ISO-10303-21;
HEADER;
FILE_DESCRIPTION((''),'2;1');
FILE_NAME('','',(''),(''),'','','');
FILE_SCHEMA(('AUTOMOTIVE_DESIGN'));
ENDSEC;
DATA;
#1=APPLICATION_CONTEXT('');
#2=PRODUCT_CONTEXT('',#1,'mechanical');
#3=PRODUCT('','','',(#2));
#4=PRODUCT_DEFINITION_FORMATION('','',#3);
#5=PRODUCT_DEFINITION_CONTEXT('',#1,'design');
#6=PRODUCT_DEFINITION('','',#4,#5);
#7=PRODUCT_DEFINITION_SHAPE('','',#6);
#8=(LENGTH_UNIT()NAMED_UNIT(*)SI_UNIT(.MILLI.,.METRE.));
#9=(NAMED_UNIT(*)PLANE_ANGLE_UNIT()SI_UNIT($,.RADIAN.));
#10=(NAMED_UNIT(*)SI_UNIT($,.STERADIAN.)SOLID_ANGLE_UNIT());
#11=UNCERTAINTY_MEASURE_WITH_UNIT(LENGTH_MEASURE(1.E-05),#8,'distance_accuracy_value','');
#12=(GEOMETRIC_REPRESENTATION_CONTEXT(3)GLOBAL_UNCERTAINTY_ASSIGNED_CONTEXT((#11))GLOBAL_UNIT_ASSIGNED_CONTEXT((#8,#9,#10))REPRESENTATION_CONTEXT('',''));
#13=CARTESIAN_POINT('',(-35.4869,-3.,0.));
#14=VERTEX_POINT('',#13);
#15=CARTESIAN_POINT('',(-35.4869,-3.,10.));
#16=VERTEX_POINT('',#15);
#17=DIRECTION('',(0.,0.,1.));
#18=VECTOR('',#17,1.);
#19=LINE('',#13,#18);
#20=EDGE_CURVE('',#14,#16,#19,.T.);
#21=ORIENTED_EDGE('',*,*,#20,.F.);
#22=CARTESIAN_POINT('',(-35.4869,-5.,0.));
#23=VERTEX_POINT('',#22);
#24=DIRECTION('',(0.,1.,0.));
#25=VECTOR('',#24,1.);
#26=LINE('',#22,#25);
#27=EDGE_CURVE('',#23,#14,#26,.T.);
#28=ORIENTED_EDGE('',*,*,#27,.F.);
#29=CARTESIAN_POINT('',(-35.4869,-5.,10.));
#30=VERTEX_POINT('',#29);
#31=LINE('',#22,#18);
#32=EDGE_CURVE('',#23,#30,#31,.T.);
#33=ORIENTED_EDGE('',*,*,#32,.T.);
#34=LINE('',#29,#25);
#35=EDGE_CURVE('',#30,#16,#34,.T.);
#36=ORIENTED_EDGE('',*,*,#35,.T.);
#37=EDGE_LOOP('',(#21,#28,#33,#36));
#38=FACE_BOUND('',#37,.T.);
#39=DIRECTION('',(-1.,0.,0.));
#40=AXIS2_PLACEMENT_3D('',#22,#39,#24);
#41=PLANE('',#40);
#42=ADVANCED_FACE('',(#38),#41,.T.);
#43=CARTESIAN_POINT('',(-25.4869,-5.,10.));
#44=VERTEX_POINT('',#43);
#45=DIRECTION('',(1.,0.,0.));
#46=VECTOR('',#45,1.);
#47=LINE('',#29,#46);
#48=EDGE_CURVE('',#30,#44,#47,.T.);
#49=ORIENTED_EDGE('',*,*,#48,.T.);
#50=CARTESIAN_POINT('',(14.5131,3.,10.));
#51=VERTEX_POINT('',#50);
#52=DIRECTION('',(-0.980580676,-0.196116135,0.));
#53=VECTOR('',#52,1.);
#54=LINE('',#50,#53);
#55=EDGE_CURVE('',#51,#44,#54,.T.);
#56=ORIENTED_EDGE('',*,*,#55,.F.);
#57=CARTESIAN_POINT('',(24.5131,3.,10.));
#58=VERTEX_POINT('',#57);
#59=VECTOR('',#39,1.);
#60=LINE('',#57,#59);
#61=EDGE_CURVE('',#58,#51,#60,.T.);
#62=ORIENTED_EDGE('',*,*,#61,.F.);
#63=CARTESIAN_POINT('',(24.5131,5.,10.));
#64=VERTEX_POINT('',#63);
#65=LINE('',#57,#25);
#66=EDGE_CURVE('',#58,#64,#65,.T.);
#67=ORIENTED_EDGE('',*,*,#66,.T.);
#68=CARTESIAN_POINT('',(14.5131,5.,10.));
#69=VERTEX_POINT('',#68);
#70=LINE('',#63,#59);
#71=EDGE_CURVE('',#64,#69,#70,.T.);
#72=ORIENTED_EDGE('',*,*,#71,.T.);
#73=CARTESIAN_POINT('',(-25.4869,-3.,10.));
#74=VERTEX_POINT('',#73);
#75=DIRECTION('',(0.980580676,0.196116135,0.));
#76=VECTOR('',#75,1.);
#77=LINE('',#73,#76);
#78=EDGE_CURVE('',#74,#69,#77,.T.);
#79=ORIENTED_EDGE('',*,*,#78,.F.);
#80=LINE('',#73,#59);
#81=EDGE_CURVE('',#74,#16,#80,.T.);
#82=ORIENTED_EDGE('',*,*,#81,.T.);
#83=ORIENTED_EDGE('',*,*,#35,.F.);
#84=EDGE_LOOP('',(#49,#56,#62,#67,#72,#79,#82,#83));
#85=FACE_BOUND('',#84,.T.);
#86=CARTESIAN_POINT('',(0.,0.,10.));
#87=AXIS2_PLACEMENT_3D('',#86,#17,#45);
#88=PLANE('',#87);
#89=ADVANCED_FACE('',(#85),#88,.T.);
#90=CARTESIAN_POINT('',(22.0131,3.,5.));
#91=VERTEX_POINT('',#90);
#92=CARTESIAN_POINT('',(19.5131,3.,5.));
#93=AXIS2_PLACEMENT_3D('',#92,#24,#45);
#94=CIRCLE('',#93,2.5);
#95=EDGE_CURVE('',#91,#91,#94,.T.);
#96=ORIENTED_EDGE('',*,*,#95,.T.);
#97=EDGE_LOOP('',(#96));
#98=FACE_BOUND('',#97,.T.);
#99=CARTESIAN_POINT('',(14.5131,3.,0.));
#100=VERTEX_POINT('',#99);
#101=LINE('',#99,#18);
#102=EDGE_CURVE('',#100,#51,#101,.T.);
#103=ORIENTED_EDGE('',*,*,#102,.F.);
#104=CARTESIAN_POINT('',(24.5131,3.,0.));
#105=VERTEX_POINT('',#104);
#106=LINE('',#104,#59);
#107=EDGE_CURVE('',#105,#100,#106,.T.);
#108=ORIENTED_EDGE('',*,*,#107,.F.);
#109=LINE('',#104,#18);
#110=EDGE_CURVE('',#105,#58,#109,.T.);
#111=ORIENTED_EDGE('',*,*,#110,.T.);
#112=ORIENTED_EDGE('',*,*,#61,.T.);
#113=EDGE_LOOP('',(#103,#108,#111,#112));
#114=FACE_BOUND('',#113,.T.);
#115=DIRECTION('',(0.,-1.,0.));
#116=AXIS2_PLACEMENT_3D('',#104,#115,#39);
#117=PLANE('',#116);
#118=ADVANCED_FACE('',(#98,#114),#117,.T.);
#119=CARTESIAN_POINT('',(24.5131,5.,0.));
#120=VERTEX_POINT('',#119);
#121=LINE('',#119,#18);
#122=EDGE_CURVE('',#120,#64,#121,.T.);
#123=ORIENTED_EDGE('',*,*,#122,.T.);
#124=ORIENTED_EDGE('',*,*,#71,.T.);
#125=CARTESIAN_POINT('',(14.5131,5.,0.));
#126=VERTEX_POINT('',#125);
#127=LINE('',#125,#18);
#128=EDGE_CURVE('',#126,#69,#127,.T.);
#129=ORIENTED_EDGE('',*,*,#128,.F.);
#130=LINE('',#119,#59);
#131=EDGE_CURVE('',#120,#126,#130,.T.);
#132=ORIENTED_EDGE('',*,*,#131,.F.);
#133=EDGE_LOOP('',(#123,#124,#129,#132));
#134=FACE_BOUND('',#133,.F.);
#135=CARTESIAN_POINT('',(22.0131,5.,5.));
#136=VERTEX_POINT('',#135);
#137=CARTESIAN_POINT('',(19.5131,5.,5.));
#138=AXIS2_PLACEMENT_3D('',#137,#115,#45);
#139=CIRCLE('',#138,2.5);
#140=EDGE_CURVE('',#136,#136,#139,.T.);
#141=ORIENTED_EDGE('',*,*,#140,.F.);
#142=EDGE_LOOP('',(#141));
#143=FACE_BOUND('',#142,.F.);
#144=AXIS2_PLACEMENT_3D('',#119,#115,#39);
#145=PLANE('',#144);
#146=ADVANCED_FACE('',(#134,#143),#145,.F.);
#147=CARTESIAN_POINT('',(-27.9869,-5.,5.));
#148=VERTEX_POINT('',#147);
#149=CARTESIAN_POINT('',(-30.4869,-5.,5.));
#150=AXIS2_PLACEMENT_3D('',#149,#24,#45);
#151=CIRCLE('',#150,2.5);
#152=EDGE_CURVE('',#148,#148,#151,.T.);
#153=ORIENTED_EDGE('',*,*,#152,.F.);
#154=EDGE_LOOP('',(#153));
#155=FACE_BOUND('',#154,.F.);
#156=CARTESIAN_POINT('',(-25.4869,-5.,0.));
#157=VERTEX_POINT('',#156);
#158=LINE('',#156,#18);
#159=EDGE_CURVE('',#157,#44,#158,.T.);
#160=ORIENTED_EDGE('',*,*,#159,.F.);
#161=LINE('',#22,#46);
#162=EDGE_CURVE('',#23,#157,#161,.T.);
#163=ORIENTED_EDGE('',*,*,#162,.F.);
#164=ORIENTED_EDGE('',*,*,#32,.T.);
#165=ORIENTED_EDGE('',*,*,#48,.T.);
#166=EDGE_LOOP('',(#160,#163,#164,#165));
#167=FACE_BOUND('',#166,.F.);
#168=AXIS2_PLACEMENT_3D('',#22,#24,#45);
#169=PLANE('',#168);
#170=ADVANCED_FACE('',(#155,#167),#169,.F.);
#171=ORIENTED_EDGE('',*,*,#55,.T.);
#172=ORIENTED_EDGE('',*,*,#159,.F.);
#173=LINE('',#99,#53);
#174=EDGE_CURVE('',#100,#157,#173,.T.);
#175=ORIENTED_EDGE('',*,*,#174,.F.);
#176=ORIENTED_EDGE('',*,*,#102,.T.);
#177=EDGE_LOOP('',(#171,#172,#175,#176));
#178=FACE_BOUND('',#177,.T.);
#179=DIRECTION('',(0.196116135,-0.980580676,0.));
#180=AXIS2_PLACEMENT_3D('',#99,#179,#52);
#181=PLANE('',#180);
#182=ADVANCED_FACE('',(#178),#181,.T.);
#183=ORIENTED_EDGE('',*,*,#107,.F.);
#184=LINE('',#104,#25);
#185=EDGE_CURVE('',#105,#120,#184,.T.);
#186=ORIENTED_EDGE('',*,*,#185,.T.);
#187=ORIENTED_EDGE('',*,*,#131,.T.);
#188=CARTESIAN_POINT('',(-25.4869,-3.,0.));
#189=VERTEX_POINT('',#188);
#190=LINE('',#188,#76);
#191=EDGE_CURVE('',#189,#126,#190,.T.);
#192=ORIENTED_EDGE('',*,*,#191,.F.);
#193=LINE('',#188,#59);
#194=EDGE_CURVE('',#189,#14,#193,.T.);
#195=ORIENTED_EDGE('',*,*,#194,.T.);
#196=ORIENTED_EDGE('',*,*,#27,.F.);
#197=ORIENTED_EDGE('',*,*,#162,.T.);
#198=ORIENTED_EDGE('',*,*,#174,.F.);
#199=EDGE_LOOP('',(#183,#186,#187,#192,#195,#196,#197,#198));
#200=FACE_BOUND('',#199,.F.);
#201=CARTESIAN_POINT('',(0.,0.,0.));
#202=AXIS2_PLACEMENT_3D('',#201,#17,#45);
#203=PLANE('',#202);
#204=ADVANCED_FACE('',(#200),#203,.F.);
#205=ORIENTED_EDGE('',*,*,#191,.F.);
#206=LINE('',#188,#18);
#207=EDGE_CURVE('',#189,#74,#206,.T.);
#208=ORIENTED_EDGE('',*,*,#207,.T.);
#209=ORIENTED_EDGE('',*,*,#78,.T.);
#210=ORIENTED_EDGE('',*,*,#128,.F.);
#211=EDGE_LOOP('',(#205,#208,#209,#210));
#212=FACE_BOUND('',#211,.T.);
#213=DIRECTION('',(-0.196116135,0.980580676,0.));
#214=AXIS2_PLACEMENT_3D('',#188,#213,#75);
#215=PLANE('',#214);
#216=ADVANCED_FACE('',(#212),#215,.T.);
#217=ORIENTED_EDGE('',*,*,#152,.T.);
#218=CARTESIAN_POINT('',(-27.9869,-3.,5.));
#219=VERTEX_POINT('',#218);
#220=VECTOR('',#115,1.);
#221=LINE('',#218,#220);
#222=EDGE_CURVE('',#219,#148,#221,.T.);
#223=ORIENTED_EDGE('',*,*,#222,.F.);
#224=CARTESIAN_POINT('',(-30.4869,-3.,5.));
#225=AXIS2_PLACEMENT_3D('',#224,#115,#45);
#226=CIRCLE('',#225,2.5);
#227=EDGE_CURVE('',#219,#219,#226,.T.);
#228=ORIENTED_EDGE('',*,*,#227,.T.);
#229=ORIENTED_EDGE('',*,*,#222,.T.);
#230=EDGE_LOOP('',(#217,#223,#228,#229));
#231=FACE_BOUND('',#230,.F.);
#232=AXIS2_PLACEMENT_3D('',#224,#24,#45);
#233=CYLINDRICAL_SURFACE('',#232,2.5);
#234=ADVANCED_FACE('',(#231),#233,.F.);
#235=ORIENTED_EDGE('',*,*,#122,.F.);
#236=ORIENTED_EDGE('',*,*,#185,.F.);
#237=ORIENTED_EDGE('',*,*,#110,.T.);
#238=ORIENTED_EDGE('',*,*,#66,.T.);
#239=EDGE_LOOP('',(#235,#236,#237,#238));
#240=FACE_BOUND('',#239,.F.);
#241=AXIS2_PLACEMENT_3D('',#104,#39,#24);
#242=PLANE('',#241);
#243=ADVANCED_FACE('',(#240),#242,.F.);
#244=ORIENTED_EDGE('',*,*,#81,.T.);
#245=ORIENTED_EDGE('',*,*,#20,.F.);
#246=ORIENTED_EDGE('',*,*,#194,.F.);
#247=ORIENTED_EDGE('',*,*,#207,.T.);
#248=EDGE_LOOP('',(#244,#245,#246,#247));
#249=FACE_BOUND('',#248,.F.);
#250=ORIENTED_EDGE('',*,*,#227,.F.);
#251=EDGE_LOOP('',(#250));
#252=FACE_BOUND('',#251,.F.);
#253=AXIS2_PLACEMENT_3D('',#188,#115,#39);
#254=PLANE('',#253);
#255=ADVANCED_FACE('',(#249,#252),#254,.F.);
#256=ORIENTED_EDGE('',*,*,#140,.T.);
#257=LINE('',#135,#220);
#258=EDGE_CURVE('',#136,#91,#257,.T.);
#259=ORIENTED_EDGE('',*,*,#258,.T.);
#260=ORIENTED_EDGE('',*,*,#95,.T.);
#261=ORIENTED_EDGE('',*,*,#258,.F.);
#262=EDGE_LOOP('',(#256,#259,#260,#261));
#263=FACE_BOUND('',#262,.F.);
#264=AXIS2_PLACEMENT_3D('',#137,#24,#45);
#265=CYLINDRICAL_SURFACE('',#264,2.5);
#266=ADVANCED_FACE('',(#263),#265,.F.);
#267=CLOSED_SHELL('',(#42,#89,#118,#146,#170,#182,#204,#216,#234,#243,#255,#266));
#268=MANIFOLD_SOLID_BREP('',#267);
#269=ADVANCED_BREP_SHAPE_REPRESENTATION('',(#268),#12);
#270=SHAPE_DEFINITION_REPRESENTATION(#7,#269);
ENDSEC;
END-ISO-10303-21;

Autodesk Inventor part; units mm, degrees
ref_plane "YZ Plane" through (0, 0, 0) normal (1, 0, 0) x (0, 1, 0)
ref_plane "XZ Plane" through (0, 0, 0) normal (0, 1, 0) x (-1, 0, 0)
ref_plane "XY Plane" through (0, 0, 0) normal (0, 0, 1) x (1, 0, 0)
sketch "Szkic1" plane through (0, 0, 0) normal (0, 0, 1) x (1, 0, 0)
  line L0 (-35.4869, -5) -> (-25.4869, -5)
  line L1 (-25.4869, -3) -> (-35.4869, -3)
  line L2 (-35.4869, -5) -> (-35.4869, -3)
  line L3 (24.5131, 5) -> (14.5131, 5)
  line L4 (24.5131, 3) -> (24.5131, 3)
  line L5 (24.5131, 3) -> (24.5131, 5)
  line L6 (24.5131, 3) -> (14.5131, 3)
  line L7 (14.5131, 3) -> (-25.4869, -5)
  line L8 (-25.4869, -3) -> (14.5131, 5)
  point P0 (24.5131, 5)
  dimension "d9" = 10
  dimension "d10" = 2
  dimension "d11" = 10
  dimension "d14" = 60
  dimension "d15" = 10
extrude "Wyciągnięcie proste1" add sketch "Szkic1" along normal blind 10
sketch "Szkic2" plane through (-35.4869, -3, 0) normal (0, 1, 0) x (1, 0, 0)
  line L0 (10, 0) -> (10, -10) projected
  line L1 (10, -5) -> (0, -5)
  line L2 (0, 0) -> (0, -10) projected
  circle A0 centre (5, -5) radius 2.5
  point P0 (35.4869, 0)
  dimension "d16" = 5
extrude "Wyciągnięcie proste2" cut sketch "Szkic2" against normal blind 10
sketch "Szkic3" plane through (14.5131, 5, 0) normal (0, 1, 0) x (1, 0, 0)
  line L0 (10, 0) -> (10, -10) projected
  line L1 (10, -5) -> (0, -5)
  line L2 (0, 0) -> (0, -10) projected
  circle A0 centre (5, -5) radius 2.5
  point P0 (-14.5131, 0)
  dimension "d19" = 5
extrude "Wyciągnięcie proste3" cut sketch "Szkic3" against normal blind 10
properties part number "Docisk_sprężynka" material "Stal, węglowa"
